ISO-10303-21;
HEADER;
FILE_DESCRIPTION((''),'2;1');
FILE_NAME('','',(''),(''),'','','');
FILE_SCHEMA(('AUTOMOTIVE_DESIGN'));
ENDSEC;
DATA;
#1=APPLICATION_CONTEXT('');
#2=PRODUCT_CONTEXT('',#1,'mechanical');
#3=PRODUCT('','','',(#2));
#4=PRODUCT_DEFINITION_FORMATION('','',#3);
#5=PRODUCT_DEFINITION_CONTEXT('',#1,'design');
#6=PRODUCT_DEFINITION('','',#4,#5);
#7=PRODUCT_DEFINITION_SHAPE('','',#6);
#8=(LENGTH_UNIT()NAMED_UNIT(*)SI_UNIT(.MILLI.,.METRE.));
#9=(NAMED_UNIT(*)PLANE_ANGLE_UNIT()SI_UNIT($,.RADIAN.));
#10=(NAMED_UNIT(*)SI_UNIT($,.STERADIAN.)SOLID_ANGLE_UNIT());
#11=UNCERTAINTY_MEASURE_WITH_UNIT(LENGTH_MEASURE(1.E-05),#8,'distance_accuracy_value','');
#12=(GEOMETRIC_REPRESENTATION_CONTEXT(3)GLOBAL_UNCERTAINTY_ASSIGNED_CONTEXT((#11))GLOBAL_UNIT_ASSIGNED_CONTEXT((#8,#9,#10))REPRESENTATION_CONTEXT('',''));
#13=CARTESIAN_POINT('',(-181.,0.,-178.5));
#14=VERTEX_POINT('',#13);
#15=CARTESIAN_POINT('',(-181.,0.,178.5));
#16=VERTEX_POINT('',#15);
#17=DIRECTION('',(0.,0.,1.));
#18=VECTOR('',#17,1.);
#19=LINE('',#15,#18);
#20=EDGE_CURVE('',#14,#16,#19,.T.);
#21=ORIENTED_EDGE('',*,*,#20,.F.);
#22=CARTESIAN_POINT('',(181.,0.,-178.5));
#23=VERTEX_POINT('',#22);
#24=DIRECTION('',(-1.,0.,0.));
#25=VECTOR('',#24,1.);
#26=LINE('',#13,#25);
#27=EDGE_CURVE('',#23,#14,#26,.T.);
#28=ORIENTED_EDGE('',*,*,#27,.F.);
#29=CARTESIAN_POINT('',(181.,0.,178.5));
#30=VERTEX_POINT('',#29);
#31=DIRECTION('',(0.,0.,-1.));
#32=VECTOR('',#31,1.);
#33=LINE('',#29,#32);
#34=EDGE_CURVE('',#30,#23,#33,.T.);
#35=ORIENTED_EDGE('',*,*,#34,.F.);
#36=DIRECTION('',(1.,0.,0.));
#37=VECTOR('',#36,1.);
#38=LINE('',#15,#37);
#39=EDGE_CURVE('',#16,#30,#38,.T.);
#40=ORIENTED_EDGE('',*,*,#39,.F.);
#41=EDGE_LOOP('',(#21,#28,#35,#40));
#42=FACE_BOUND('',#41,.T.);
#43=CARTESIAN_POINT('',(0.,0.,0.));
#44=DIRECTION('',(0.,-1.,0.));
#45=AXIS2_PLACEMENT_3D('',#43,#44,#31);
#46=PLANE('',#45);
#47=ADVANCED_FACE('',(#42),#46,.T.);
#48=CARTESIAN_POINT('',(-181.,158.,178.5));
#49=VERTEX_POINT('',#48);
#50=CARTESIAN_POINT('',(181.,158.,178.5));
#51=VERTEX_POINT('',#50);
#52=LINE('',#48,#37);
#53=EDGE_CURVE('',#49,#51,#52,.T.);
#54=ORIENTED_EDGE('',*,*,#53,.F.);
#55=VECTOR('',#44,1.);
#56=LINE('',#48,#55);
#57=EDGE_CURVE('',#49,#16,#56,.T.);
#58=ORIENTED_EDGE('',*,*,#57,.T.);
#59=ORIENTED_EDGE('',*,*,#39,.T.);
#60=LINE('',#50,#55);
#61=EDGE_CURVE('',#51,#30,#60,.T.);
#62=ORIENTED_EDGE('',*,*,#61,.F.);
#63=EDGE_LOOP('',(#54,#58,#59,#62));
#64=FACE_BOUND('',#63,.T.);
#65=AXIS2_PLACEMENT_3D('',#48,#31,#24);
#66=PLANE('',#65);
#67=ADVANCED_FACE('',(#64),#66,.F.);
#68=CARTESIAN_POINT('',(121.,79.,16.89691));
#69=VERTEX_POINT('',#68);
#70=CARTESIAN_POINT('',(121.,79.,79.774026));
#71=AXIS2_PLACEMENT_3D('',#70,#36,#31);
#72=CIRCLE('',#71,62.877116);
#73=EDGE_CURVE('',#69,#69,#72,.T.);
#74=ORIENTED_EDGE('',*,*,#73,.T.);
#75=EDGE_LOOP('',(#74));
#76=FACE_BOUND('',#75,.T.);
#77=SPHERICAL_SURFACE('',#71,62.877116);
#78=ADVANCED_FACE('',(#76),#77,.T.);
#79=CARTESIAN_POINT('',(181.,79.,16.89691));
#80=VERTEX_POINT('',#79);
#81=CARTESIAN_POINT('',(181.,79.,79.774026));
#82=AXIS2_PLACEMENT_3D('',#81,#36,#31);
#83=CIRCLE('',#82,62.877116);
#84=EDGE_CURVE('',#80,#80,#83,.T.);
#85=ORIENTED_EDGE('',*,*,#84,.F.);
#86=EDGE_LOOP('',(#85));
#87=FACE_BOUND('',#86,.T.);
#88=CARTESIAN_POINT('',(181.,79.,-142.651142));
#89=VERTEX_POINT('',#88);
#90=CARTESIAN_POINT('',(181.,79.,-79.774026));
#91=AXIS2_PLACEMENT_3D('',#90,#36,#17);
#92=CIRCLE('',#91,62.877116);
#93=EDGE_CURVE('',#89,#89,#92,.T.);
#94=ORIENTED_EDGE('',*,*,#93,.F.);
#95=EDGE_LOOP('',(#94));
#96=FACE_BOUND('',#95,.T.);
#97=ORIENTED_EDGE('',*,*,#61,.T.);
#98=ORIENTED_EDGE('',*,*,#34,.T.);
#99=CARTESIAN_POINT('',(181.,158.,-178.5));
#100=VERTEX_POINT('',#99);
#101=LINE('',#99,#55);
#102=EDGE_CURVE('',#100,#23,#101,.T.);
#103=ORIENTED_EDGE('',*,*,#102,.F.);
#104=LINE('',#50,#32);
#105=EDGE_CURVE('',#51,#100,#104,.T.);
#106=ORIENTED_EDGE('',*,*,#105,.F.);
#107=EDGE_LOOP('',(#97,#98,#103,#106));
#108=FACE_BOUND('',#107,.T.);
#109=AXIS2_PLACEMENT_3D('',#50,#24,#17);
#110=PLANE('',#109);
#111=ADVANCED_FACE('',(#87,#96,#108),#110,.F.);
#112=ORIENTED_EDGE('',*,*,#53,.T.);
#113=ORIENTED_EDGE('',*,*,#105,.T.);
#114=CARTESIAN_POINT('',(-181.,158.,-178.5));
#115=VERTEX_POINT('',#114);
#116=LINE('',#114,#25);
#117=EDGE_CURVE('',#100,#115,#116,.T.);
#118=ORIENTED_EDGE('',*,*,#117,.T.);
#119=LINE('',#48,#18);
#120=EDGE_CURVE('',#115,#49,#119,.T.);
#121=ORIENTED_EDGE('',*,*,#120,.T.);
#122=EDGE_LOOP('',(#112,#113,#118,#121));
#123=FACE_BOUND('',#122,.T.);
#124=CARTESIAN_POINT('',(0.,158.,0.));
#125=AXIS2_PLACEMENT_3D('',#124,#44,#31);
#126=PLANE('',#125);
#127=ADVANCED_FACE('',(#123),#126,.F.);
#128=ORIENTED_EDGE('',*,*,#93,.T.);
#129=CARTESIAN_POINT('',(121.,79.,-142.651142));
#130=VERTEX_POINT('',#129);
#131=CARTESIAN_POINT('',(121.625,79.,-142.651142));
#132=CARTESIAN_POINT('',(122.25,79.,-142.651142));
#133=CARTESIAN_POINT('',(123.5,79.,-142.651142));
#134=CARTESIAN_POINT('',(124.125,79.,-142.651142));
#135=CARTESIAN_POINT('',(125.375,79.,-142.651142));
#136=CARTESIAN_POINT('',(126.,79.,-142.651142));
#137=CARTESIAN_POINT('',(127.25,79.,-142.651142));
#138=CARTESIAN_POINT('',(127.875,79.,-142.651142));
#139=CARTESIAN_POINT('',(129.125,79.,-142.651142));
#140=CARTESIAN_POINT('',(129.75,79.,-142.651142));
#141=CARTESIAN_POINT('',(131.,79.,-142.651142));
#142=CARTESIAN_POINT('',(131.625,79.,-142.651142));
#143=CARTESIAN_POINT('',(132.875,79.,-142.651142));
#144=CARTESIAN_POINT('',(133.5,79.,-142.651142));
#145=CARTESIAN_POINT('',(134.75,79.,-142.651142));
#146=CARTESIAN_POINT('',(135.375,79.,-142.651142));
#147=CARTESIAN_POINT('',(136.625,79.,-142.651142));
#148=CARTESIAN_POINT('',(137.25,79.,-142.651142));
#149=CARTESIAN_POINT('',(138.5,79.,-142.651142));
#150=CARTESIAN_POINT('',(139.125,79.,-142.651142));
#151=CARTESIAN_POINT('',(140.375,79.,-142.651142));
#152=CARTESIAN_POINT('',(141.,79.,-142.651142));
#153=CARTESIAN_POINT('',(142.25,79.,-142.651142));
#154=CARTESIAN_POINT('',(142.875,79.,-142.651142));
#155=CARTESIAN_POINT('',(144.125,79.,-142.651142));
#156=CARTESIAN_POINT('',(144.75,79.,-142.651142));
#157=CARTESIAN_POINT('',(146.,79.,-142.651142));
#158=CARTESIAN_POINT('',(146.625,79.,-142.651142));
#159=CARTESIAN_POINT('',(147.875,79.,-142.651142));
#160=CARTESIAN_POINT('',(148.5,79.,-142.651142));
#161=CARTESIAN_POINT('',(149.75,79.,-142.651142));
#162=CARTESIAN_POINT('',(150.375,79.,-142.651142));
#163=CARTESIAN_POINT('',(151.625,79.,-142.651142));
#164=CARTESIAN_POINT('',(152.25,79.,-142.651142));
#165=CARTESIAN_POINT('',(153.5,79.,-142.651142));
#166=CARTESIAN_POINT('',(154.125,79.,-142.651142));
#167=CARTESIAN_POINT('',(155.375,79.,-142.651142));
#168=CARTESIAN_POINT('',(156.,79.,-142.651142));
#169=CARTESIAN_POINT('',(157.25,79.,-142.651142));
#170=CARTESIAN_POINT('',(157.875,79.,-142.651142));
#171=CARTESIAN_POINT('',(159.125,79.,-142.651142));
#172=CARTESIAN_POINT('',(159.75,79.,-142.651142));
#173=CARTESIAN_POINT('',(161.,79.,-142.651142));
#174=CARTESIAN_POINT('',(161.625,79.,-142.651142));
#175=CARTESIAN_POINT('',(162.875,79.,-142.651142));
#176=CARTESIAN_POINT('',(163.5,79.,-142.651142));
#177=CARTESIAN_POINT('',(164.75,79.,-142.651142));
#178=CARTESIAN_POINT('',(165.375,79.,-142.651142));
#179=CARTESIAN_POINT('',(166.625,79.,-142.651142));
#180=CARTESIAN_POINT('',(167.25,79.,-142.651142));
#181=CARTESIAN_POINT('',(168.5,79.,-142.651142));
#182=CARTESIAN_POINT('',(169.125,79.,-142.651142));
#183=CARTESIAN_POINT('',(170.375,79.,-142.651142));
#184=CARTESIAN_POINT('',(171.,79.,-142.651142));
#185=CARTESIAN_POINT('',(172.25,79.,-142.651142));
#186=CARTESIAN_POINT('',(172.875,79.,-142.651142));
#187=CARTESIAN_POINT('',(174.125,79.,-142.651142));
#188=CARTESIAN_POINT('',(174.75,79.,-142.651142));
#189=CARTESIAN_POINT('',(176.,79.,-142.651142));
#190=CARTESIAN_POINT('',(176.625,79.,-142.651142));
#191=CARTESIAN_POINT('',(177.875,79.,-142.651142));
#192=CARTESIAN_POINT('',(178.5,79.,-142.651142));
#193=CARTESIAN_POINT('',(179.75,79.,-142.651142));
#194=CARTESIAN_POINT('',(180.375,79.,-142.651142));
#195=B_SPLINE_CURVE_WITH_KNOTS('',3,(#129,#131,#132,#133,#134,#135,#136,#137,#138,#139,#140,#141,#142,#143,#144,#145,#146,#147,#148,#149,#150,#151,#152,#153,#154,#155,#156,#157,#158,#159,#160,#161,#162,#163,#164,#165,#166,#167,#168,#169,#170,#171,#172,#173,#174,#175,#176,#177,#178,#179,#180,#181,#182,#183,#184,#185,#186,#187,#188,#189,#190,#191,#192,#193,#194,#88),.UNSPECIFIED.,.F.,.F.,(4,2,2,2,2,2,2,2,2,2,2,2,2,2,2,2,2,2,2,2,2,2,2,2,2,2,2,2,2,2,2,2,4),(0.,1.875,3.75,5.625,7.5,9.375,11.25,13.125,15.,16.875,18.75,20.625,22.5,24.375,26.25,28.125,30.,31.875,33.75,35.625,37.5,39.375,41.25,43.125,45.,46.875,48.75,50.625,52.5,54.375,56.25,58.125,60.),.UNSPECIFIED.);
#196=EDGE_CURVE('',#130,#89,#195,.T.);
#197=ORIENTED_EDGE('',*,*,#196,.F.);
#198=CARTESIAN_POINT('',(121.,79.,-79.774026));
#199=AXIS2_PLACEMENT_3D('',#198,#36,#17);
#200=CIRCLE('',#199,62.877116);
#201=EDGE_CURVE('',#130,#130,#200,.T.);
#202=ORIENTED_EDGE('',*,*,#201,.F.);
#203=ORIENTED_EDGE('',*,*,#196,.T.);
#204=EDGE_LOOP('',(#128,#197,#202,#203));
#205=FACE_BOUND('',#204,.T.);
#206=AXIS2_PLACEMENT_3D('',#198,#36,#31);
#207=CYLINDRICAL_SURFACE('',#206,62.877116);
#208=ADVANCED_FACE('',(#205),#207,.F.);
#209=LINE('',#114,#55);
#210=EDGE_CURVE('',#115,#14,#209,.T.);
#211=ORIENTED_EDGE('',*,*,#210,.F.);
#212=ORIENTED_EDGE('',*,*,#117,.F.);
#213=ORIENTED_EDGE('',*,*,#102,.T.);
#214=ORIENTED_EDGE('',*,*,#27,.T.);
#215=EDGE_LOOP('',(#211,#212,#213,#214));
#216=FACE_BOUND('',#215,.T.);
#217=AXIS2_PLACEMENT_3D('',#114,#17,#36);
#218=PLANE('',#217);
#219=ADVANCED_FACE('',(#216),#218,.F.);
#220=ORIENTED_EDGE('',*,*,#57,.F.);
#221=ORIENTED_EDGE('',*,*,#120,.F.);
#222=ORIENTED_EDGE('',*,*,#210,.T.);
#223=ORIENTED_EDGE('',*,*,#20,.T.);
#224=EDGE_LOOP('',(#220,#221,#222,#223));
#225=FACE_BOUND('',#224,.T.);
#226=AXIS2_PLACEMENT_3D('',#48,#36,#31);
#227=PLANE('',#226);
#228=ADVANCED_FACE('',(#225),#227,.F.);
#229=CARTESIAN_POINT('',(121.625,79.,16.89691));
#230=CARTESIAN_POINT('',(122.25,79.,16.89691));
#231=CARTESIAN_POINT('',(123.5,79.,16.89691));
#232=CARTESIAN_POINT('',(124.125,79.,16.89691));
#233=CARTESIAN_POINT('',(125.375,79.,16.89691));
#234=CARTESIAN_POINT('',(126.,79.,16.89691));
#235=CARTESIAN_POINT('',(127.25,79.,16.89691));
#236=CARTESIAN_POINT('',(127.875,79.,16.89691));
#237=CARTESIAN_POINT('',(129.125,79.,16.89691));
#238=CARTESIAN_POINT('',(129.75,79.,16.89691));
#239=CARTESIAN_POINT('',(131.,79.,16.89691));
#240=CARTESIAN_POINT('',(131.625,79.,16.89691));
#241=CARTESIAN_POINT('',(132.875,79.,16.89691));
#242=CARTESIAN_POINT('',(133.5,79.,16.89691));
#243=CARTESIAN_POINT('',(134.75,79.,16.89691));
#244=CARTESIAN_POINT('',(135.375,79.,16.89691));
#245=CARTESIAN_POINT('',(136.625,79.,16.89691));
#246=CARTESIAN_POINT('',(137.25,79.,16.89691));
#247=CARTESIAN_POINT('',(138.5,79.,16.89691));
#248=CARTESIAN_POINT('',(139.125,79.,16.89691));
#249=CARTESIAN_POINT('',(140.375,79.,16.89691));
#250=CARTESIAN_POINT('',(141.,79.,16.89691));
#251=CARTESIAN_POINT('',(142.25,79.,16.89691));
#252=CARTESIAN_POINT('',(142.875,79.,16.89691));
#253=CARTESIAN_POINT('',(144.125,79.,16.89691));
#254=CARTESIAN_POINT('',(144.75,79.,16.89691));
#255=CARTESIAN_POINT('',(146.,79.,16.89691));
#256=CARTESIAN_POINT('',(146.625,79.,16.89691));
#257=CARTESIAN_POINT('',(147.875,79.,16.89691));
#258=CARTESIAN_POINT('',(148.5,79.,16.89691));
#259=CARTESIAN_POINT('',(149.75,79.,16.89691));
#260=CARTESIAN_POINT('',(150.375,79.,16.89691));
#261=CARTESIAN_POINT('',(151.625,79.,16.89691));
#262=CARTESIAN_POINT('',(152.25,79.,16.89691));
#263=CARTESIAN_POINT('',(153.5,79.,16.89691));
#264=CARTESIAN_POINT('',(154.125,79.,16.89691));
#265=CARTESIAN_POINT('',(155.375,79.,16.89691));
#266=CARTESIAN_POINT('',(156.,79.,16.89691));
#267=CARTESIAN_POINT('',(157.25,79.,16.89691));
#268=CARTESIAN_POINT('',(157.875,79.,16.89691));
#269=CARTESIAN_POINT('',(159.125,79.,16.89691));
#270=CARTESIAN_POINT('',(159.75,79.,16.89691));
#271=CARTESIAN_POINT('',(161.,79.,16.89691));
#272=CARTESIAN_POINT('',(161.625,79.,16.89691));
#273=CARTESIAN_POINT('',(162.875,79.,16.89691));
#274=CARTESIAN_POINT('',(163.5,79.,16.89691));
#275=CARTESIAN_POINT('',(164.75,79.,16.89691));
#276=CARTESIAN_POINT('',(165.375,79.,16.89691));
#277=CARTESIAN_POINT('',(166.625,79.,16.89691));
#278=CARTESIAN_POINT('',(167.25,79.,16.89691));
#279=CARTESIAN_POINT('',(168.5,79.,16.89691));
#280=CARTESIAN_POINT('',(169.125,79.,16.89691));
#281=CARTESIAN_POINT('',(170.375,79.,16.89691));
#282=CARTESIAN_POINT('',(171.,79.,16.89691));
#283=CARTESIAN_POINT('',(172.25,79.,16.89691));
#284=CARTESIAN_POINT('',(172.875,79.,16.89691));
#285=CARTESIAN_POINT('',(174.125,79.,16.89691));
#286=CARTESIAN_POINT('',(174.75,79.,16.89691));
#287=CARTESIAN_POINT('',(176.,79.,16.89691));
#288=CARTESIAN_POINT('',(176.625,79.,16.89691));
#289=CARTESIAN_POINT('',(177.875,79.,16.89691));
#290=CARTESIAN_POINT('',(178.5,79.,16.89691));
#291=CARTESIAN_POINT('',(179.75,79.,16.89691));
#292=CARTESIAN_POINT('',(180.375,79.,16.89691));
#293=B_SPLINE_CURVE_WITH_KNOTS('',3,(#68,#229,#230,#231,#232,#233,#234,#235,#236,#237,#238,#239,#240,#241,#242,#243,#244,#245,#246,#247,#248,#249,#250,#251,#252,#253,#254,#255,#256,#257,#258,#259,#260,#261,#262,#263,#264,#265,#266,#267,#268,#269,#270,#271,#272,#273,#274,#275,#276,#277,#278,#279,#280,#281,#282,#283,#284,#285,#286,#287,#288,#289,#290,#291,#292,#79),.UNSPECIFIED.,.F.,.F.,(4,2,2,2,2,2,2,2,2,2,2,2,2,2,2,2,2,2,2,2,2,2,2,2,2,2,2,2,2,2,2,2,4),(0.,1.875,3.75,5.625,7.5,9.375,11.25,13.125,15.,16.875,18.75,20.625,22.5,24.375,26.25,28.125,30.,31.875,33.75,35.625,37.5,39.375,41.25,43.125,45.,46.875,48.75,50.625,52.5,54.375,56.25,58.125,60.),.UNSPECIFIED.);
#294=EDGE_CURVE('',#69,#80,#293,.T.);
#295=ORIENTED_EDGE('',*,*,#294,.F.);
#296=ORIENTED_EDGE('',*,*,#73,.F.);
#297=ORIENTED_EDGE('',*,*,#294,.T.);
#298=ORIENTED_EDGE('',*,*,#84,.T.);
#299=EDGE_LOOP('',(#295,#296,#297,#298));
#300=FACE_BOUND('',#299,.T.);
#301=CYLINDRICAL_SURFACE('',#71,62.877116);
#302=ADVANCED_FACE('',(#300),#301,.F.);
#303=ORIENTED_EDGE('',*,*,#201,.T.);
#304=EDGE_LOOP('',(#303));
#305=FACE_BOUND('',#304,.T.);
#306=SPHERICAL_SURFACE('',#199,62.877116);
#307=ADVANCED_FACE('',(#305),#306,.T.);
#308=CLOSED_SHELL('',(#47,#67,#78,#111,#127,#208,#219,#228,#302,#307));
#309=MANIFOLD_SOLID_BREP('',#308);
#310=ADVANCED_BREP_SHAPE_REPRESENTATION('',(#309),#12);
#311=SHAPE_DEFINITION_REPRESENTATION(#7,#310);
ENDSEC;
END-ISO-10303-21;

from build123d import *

# Parameters (mm, degrees)
SKETCH1_W           = 362
SKETCH1_H           = 357
BOSS_EXTRUDE1_DEPTH = 158
SKETCH2_R           = 62.877116211
CUT_EXTRUDE1_DEPTH  = 60
REVOLVE1_ANGLE      = 180
REVOLVE2_ANGLE      = 180


with BuildPart() as part:
    # Sketch1 → Boss-Extrude1 (new body)
    with BuildSketch(Plane(origin=(0, 0, 0), x_dir=(1, 0, 0), z_dir=(0, 1, 0))):
        Rectangle(SKETCH1_W, SKETCH1_H)
    extrude(amount=BOSS_EXTRUDE1_DEPTH)

    # Sketch2 → Cut-Extrude1 (cut)
    with BuildSketch(Plane(origin=(181, 0, 0), x_dir=(0, 0, -1), z_dir=(1, 0, 0))):
        with Locations((-79.77402599, 79)):
            Circle(SKETCH2_R)
        with Locations((79.77402599, 79)):
            Circle(SKETCH2_R)
    extrude(amount=-CUT_EXTRUDE1_DEPTH, mode=Mode.SUBTRACT)

    # Sketch3 → Revolve1 (revolve)
    with BuildSketch(Plane(origin=(121, 0, 0), x_dir=(0, 0, -1), z_dir=(1, 0, 0))):
        with BuildLine():
            Line((-79.77402599, 141.877116211), (-79.77402599, 16.122883789))
            ThreePointArc((-79.77402599, 16.122883789), (-142.651142201, 79), (-79.77402599, 141.877116211))
        make_face()
    revolve(axis=Axis((121, 141.877116211, 79.77402599), (0, 1, 0)), revolution_arc=REVOLVE1_ANGLE)

    # Sketch4 → Revolve2 (revolve)
    with BuildSketch(Plane(origin=(121, 0, 0), x_dir=(0, 0, -1), z_dir=(1, 0, 0))):
        with BuildLine():
            Line((79.77402599, 141.877116211), (79.77402599, 16.122883789))
            ThreePointArc((79.77402599, 16.122883789), (16.896909779, 79), (79.77402599, 141.877116211))
        make_face()
    revolve(axis=Axis((121, 141.877116211, -79.77402599), (0, 1, 0)), revolution_arc=REVOLVE2_ANGLE)


solid = part.part
